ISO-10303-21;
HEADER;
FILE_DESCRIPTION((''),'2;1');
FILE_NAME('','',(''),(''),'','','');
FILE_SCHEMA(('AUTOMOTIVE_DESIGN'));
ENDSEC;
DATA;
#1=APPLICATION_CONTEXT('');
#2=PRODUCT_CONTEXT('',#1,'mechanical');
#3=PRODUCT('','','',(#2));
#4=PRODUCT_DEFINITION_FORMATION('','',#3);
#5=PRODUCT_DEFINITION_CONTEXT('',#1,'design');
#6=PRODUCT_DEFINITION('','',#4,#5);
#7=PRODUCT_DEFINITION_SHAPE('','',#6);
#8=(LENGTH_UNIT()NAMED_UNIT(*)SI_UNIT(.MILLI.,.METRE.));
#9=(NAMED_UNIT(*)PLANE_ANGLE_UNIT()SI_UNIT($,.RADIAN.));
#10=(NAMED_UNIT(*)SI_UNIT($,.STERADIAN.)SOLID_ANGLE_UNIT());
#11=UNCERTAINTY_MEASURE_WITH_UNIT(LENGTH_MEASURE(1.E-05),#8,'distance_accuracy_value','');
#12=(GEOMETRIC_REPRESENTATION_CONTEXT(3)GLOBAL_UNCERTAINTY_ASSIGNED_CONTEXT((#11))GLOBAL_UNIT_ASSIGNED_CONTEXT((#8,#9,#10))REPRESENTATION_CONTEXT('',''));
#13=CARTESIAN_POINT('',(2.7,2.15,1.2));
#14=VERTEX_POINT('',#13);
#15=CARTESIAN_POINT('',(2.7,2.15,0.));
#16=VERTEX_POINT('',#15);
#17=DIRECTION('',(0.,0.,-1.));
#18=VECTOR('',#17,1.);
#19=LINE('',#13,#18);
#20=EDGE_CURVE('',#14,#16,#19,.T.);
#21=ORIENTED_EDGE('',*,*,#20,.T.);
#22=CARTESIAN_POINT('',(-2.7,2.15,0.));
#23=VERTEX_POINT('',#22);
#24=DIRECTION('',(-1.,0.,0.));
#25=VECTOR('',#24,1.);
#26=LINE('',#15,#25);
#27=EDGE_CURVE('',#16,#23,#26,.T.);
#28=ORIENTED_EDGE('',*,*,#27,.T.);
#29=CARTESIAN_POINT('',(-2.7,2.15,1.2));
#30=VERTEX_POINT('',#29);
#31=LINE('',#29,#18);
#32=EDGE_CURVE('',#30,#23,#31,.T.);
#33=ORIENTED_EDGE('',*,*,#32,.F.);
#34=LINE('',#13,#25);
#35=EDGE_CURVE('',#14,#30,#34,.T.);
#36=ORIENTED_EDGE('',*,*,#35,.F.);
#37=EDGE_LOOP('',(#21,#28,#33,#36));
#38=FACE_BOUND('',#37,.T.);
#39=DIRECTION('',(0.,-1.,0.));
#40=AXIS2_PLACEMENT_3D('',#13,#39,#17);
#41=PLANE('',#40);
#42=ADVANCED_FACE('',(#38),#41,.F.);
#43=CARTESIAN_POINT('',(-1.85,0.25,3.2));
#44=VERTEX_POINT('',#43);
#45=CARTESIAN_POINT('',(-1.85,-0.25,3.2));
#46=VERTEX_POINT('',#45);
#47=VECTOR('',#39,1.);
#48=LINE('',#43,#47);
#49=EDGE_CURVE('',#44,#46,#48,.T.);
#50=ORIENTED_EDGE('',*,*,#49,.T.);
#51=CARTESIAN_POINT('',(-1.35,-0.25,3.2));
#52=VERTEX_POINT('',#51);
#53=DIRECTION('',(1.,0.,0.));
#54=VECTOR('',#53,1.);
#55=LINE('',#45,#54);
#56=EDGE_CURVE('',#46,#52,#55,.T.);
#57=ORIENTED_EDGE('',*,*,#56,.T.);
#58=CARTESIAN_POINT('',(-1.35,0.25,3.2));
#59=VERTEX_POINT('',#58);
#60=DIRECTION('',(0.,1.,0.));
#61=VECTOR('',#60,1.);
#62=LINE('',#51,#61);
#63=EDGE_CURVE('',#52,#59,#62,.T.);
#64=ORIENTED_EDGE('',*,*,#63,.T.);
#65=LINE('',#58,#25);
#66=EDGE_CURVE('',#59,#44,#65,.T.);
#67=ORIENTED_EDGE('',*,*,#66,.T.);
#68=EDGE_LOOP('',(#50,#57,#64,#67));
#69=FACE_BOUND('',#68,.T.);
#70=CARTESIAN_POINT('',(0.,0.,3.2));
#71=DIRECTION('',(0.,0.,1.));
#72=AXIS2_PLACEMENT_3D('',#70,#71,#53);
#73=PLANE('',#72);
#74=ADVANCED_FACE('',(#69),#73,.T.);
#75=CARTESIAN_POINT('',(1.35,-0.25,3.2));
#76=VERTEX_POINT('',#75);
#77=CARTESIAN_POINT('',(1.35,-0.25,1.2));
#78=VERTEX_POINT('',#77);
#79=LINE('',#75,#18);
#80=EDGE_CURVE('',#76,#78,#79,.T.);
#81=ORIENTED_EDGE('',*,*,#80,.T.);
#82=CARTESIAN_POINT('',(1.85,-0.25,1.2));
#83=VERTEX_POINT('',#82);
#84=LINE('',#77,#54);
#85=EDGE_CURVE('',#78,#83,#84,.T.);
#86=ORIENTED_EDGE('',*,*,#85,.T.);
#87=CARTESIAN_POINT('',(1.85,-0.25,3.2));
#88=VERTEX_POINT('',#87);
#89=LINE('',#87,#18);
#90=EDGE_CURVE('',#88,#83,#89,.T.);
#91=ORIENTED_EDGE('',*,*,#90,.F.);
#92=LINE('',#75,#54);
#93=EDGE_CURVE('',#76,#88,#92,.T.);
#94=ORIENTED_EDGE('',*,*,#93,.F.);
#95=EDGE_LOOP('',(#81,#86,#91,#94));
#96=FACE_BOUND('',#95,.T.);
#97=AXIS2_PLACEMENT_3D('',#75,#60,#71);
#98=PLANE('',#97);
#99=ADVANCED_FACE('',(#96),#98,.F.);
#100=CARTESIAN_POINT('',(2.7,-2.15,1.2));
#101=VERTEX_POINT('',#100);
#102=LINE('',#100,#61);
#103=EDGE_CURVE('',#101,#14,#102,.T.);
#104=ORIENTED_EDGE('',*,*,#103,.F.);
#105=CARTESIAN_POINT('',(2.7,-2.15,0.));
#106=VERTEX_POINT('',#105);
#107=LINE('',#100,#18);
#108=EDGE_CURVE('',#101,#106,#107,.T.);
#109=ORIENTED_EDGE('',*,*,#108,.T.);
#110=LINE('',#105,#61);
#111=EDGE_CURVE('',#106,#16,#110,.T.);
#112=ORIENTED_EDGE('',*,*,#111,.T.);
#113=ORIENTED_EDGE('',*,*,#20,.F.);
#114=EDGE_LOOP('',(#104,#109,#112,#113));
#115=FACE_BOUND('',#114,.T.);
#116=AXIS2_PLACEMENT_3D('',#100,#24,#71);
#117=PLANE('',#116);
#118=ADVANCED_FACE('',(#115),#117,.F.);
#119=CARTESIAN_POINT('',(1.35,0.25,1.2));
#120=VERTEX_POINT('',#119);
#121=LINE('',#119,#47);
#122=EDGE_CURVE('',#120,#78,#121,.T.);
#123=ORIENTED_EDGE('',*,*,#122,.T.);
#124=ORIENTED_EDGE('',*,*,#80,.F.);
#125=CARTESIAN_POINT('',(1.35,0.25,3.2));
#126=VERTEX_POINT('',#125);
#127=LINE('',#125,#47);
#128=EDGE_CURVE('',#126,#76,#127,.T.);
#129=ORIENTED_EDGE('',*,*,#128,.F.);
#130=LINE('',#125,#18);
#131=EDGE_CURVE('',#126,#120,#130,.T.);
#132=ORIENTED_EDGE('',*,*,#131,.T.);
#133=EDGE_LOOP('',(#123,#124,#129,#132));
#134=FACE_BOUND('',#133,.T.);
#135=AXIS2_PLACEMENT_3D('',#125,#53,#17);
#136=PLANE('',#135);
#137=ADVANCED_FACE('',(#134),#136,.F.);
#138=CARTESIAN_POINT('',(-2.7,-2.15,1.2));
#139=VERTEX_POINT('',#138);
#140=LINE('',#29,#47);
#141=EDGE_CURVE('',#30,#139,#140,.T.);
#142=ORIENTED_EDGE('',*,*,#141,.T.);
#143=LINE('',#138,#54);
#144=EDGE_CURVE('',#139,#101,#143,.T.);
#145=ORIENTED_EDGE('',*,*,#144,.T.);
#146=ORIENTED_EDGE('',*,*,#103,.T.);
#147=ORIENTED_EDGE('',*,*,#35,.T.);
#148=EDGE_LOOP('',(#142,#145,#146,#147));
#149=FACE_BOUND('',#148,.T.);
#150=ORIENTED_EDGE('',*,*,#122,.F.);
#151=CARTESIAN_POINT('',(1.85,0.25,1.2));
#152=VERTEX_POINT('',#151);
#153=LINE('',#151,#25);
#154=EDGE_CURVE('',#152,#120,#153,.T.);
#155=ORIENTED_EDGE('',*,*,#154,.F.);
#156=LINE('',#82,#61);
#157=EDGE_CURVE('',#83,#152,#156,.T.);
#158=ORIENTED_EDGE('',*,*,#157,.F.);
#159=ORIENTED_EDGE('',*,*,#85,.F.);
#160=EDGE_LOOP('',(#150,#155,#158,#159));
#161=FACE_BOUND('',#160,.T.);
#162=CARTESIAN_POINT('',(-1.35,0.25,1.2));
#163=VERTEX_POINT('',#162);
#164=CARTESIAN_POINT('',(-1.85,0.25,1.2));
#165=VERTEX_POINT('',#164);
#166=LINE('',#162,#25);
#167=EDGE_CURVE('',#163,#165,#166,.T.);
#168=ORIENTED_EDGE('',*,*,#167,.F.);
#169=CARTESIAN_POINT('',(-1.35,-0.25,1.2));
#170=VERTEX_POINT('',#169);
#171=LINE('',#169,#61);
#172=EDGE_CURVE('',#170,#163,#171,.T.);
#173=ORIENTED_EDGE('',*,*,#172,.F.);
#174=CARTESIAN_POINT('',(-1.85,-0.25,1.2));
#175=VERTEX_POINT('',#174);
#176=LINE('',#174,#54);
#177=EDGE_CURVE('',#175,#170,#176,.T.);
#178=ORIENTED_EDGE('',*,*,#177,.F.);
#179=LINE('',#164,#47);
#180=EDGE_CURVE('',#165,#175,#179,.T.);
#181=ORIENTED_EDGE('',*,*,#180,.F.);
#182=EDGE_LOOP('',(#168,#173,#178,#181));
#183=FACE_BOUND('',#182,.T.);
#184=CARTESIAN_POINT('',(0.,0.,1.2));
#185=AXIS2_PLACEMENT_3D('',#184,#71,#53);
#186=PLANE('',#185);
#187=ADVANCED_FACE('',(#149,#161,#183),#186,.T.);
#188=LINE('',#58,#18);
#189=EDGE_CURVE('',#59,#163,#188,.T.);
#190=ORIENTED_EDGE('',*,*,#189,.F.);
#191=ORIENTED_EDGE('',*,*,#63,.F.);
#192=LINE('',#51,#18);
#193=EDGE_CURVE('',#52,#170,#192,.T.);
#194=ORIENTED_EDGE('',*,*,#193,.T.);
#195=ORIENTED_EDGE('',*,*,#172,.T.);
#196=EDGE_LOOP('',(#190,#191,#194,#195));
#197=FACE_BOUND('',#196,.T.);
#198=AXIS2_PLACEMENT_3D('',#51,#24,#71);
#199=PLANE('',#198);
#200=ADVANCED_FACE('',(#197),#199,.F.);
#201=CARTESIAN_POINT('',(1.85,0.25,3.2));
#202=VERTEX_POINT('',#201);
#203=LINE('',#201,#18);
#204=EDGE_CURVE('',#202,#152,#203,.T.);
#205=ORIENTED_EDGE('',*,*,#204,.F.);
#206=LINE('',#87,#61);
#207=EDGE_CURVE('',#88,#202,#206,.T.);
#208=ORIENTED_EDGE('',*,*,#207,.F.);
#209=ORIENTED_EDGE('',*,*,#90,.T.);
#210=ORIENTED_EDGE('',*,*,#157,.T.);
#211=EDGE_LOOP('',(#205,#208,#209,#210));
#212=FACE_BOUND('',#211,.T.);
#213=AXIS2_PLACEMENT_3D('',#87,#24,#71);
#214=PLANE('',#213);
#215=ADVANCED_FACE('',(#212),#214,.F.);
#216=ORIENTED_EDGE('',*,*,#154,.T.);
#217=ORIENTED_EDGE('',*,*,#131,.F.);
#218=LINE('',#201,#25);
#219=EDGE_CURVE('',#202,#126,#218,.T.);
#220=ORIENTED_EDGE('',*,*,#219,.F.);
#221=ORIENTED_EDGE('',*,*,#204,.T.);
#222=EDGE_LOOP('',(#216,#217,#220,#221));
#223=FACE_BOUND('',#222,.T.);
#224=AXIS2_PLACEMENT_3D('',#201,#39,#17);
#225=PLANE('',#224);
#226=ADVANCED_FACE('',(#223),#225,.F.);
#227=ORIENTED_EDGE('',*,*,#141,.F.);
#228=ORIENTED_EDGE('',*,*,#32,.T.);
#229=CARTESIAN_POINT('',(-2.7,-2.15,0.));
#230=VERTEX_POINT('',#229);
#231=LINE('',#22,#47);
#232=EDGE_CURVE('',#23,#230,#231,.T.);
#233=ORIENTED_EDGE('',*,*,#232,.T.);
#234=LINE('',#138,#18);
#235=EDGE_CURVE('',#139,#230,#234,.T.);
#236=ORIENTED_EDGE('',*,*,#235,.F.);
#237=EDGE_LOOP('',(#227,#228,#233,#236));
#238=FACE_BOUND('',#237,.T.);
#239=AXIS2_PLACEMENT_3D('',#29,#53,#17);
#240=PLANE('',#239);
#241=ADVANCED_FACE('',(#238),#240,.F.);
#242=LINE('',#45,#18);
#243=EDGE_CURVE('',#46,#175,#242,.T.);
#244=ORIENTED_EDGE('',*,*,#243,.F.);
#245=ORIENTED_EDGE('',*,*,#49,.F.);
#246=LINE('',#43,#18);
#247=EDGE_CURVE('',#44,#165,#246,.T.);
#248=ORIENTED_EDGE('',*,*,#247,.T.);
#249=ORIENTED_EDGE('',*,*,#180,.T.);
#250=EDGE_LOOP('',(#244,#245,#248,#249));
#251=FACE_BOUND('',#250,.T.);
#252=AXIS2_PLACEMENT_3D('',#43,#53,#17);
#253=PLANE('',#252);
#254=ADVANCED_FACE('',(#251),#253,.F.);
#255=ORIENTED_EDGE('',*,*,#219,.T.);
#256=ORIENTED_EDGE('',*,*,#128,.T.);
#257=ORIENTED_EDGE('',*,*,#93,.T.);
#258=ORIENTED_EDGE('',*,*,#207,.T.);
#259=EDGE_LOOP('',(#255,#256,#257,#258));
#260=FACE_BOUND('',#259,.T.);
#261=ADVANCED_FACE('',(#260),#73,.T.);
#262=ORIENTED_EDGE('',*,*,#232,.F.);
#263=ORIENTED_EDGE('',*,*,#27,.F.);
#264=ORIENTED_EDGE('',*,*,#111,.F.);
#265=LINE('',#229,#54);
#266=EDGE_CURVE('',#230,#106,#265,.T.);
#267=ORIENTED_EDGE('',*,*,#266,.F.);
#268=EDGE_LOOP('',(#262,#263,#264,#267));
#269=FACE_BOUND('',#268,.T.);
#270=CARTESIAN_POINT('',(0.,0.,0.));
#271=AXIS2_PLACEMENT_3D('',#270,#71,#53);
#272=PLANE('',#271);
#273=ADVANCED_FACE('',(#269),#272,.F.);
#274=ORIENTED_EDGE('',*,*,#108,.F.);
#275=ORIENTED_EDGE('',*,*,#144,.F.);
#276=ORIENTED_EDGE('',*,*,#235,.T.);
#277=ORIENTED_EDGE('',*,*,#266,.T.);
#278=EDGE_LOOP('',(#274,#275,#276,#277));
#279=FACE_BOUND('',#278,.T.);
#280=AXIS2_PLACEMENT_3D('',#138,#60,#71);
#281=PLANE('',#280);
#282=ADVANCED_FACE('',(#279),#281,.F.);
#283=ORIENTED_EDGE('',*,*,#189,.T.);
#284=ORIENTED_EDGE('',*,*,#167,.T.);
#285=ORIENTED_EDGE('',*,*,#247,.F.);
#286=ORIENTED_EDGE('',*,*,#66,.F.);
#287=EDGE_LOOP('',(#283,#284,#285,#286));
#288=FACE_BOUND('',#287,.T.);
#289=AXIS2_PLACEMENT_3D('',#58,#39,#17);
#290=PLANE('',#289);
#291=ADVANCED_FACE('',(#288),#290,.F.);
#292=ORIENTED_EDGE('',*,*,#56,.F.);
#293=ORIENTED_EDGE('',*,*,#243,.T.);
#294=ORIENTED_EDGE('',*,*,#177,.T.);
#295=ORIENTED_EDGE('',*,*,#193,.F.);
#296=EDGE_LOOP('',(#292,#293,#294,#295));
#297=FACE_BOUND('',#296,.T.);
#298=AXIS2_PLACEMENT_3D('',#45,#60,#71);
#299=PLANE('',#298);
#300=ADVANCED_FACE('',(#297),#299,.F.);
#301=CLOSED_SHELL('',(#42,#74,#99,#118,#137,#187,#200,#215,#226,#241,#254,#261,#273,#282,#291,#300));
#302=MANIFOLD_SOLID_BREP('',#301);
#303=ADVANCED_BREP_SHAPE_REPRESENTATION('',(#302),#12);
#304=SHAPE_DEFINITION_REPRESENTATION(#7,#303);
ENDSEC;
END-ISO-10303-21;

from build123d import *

# Parameters (mm, degrees)
SKETCH1_W   = 5.4
SKETCH1_H   = 4.3
BODY_DEPTH  = 1.2
LEADS_START = 1.2
SKETCH2_W   = 0.5
SKETCH2_H   = 0.5
LEADS_DEPTH = 2


with BuildPart() as part:
    # Sketch1 → Body (new body)
    with BuildSketch(Plane.XY):
        Rectangle(SKETCH1_W, SKETCH1_H)
    extrude(amount=BODY_DEPTH)

    # Sketch2 → Leads (add)
    with BuildSketch(Plane.XY.offset(LEADS_START)):
        with Locations((-1.6, 0)):
            Rectangle(SKETCH2_W, SKETCH2_H)
        with Locations((1.6, 0)):
            Rectangle(SKETCH2_W, SKETCH2_H)
    extrude(amount=LEADS_DEPTH)


solid = part.part
